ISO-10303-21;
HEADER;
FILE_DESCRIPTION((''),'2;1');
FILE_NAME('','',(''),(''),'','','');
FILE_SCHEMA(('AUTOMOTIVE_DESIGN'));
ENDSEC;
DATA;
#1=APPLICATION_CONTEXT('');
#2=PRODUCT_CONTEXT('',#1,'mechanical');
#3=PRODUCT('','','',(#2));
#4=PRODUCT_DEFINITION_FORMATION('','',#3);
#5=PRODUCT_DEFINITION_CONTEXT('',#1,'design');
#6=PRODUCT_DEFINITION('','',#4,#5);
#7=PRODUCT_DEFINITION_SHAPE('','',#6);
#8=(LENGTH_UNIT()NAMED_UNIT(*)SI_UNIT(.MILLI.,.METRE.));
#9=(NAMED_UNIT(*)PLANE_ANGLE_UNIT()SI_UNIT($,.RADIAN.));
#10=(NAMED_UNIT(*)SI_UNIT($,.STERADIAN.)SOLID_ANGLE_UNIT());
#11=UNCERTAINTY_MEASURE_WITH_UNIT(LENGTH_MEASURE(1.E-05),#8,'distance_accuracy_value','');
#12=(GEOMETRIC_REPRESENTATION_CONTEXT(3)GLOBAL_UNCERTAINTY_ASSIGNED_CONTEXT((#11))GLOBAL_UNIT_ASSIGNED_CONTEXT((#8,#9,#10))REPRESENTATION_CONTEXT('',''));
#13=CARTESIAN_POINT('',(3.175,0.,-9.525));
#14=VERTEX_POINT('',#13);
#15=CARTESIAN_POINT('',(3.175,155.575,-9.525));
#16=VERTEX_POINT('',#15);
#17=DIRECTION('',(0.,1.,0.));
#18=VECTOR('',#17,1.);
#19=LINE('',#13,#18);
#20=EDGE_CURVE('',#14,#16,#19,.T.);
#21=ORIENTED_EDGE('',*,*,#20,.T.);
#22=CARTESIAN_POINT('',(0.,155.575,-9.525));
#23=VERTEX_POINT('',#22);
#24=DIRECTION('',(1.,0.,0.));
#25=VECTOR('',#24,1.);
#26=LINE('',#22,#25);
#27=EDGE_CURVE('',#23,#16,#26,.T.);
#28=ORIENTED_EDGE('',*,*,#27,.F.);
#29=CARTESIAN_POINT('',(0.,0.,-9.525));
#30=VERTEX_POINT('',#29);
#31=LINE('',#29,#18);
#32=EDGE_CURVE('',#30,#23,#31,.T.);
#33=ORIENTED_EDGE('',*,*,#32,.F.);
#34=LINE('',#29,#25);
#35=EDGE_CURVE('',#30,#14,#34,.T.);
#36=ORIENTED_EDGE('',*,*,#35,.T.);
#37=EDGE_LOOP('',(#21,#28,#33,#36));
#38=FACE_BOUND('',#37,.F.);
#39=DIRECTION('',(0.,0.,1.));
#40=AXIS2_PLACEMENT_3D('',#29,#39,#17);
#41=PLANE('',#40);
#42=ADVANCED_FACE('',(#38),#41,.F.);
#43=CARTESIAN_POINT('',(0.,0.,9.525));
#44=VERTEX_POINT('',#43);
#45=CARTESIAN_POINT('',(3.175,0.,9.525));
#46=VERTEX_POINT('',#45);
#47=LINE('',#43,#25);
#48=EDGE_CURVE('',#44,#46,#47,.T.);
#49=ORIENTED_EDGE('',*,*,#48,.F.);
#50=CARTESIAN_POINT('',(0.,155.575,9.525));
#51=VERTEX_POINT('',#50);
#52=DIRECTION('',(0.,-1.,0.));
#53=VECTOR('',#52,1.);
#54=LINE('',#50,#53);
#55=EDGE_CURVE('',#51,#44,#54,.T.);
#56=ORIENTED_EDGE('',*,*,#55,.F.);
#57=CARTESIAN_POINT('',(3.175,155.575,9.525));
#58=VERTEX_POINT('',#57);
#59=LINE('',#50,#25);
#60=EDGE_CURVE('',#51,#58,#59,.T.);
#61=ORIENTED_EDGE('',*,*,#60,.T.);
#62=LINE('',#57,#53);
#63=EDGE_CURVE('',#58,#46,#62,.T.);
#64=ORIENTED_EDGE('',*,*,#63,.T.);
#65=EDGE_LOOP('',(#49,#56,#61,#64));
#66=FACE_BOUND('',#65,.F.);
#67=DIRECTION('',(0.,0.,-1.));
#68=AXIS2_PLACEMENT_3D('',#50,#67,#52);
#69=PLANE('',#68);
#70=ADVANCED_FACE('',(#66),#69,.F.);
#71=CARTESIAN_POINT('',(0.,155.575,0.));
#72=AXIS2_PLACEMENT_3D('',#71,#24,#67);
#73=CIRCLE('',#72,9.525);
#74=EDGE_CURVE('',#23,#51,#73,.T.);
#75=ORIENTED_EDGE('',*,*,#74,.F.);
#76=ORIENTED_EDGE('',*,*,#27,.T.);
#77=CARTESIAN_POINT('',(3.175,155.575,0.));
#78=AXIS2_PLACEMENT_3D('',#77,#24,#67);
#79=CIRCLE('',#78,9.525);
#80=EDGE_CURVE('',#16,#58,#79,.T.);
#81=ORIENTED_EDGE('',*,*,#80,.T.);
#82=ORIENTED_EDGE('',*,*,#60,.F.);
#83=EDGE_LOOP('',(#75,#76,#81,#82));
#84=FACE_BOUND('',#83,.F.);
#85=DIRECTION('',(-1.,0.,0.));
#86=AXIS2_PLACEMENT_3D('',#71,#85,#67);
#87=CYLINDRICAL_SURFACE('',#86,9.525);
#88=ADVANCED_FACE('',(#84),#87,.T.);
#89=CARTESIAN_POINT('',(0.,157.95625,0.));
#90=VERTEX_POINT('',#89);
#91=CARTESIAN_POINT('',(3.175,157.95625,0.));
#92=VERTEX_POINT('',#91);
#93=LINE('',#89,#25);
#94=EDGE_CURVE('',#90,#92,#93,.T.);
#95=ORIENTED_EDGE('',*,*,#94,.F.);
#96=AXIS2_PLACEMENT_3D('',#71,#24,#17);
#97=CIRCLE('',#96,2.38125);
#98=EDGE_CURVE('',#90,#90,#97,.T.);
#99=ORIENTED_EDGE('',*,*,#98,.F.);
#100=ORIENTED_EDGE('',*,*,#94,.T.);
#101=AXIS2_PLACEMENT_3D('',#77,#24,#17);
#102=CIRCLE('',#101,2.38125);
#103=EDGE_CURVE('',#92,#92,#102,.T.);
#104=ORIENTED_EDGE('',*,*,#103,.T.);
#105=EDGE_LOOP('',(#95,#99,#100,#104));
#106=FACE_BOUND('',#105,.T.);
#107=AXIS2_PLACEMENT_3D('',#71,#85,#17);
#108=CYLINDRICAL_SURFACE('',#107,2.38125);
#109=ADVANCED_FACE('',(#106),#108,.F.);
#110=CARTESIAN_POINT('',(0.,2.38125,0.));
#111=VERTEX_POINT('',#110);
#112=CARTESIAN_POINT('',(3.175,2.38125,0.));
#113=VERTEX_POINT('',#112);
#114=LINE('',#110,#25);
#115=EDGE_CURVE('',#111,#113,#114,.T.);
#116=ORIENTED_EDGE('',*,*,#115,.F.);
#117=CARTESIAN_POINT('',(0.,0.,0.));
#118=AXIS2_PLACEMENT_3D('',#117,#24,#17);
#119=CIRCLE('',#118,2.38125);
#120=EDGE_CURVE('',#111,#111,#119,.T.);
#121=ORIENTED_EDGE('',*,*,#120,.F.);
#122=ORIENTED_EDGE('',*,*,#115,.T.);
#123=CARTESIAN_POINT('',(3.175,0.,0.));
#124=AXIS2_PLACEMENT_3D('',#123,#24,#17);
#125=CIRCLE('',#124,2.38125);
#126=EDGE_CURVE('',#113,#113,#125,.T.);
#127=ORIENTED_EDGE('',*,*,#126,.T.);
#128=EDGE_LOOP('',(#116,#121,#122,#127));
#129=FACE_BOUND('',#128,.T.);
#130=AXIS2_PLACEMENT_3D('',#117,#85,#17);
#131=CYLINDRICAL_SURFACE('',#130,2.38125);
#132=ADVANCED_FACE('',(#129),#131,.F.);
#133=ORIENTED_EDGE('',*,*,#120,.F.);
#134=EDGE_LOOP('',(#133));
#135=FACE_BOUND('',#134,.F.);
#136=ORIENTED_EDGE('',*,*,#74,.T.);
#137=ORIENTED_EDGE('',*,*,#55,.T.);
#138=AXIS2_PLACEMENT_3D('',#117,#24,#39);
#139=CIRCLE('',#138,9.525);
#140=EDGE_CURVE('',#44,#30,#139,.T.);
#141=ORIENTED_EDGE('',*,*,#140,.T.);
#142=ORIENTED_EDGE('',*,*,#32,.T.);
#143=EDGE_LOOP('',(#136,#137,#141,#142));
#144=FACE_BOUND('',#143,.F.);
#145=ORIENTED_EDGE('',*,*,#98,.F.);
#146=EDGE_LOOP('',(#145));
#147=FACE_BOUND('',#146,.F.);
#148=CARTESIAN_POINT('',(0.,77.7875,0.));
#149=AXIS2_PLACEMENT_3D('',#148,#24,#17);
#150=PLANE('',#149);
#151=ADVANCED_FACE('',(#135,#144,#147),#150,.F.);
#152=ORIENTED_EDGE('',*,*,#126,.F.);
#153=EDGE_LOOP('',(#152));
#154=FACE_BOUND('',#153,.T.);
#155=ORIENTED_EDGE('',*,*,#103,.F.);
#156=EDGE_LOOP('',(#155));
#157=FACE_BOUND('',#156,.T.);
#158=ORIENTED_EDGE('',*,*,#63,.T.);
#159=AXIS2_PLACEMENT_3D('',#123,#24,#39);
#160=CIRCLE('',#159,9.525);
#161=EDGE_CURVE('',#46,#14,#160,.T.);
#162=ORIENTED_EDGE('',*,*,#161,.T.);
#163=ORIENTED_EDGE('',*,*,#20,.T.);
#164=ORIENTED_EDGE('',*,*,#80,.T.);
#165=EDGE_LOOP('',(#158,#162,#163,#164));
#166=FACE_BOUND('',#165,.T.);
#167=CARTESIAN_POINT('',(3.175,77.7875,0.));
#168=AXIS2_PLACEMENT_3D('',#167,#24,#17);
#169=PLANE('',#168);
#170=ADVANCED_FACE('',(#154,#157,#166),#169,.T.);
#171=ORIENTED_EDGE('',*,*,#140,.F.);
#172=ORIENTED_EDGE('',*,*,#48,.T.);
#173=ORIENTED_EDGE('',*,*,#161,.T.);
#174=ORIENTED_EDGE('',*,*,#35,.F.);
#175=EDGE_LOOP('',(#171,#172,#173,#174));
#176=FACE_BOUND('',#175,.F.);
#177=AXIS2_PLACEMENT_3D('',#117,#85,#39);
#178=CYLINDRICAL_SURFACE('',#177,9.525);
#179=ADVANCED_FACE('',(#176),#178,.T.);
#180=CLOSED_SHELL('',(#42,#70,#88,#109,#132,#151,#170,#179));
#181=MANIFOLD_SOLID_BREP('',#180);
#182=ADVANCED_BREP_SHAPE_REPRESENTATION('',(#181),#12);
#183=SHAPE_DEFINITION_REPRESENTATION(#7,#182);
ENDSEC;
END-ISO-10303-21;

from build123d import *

# Parameters (mm, degrees)
F0_R     = 2.38125
F1_DEPTH = 3.175


with BuildPart() as f1:
    # F0 (on Right) → F1 (new body)
    with BuildSketch(Plane.YZ):
        with BuildLine():
            Line((155.575, 9.525), (0, 9.525))
            ThreePointArc((0, 9.525), (-9.525, 0), (0, -9.525))
            Line((0, -9.525), (155.575, -9.525))
            ThreePointArc((155.575, -9.525), (165.1, 0), (155.575, 9.525))
        make_face()
        Circle(F0_R, mode=Mode.SUBTRACT)
        with Locations((155.575, 0)):
            Circle(F0_R, mode=Mode.SUBTRACT)
    extrude(amount=F1_DEPTH)


solid = f1.part
